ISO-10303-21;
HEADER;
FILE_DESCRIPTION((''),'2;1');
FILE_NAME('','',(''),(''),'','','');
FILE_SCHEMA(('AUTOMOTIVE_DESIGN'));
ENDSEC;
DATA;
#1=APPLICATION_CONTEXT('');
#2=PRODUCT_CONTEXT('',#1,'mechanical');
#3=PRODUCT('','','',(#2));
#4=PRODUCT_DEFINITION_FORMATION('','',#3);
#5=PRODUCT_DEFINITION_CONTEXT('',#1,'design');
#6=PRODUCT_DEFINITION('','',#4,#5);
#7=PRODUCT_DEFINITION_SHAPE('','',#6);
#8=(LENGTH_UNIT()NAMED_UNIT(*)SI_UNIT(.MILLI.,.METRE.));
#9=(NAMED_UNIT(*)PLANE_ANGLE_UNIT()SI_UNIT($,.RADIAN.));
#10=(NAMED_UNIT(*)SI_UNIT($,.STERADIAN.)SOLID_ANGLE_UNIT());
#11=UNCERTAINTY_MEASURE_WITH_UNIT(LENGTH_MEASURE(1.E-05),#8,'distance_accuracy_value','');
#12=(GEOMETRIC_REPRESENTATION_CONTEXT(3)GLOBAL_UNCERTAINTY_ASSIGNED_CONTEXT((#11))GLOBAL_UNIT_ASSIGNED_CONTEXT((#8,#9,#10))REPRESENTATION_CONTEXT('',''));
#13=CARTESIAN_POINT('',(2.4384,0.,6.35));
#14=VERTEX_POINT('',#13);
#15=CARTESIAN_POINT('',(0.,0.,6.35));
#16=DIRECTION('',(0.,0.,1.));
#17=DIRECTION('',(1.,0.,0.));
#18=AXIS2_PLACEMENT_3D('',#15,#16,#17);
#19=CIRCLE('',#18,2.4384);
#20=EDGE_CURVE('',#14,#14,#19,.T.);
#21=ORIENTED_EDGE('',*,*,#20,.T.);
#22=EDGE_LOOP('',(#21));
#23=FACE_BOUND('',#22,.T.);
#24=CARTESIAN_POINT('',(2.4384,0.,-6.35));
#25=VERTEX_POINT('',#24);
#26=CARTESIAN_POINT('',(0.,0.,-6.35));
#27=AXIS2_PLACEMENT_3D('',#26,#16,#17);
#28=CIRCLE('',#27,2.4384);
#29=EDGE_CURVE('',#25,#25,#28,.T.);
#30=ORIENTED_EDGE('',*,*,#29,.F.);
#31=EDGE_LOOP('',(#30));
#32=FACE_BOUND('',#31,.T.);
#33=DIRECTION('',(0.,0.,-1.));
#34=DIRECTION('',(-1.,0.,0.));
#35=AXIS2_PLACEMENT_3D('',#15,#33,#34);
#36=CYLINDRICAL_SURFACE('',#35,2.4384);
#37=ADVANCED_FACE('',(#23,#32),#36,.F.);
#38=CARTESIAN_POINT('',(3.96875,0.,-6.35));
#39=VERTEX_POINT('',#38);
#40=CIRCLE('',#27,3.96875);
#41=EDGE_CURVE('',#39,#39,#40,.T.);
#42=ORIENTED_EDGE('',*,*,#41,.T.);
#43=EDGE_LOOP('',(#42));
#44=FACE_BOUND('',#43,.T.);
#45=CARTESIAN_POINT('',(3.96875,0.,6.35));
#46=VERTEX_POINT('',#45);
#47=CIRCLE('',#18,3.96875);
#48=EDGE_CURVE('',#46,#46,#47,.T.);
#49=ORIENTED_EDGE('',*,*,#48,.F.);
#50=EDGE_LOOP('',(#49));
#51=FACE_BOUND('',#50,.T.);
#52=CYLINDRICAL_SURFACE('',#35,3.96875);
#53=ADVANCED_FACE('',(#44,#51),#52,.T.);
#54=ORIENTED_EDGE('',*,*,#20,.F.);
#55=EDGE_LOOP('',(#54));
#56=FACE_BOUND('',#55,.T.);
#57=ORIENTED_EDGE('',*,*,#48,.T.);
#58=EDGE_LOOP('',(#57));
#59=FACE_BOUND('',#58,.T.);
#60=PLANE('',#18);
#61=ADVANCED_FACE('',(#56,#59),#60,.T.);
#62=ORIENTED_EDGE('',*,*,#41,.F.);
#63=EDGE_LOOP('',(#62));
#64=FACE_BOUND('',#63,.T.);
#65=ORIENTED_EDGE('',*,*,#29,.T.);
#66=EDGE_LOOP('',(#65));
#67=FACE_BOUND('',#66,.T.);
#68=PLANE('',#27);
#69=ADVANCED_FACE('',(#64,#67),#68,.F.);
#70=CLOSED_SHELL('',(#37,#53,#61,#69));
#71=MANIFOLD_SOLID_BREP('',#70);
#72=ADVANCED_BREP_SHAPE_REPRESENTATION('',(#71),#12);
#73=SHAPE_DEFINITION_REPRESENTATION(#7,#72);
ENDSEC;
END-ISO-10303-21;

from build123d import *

# Parameters (mm, degrees)
SKETCH1_R           = 3.96875
SKETCH1_R_2         = 2.4384
EXTRUDE1_DEPTH      = 6.35
EXTRUDE1_DEPTH_BACK = 6.35


with BuildPart() as part:
    # Sketch1 → Extrude1 (new body, two sides)
    with BuildSketch(Plane.XY) as extrude1_sk:
        Circle(SKETCH1_R)
        Circle(SKETCH1_R_2, mode=Mode.SUBTRACT)
    extrude(amount=EXTRUDE1_DEPTH)
    extrude(extrude1_sk.sketch, amount=-EXTRUDE1_DEPTH_BACK)


solid = part.part
